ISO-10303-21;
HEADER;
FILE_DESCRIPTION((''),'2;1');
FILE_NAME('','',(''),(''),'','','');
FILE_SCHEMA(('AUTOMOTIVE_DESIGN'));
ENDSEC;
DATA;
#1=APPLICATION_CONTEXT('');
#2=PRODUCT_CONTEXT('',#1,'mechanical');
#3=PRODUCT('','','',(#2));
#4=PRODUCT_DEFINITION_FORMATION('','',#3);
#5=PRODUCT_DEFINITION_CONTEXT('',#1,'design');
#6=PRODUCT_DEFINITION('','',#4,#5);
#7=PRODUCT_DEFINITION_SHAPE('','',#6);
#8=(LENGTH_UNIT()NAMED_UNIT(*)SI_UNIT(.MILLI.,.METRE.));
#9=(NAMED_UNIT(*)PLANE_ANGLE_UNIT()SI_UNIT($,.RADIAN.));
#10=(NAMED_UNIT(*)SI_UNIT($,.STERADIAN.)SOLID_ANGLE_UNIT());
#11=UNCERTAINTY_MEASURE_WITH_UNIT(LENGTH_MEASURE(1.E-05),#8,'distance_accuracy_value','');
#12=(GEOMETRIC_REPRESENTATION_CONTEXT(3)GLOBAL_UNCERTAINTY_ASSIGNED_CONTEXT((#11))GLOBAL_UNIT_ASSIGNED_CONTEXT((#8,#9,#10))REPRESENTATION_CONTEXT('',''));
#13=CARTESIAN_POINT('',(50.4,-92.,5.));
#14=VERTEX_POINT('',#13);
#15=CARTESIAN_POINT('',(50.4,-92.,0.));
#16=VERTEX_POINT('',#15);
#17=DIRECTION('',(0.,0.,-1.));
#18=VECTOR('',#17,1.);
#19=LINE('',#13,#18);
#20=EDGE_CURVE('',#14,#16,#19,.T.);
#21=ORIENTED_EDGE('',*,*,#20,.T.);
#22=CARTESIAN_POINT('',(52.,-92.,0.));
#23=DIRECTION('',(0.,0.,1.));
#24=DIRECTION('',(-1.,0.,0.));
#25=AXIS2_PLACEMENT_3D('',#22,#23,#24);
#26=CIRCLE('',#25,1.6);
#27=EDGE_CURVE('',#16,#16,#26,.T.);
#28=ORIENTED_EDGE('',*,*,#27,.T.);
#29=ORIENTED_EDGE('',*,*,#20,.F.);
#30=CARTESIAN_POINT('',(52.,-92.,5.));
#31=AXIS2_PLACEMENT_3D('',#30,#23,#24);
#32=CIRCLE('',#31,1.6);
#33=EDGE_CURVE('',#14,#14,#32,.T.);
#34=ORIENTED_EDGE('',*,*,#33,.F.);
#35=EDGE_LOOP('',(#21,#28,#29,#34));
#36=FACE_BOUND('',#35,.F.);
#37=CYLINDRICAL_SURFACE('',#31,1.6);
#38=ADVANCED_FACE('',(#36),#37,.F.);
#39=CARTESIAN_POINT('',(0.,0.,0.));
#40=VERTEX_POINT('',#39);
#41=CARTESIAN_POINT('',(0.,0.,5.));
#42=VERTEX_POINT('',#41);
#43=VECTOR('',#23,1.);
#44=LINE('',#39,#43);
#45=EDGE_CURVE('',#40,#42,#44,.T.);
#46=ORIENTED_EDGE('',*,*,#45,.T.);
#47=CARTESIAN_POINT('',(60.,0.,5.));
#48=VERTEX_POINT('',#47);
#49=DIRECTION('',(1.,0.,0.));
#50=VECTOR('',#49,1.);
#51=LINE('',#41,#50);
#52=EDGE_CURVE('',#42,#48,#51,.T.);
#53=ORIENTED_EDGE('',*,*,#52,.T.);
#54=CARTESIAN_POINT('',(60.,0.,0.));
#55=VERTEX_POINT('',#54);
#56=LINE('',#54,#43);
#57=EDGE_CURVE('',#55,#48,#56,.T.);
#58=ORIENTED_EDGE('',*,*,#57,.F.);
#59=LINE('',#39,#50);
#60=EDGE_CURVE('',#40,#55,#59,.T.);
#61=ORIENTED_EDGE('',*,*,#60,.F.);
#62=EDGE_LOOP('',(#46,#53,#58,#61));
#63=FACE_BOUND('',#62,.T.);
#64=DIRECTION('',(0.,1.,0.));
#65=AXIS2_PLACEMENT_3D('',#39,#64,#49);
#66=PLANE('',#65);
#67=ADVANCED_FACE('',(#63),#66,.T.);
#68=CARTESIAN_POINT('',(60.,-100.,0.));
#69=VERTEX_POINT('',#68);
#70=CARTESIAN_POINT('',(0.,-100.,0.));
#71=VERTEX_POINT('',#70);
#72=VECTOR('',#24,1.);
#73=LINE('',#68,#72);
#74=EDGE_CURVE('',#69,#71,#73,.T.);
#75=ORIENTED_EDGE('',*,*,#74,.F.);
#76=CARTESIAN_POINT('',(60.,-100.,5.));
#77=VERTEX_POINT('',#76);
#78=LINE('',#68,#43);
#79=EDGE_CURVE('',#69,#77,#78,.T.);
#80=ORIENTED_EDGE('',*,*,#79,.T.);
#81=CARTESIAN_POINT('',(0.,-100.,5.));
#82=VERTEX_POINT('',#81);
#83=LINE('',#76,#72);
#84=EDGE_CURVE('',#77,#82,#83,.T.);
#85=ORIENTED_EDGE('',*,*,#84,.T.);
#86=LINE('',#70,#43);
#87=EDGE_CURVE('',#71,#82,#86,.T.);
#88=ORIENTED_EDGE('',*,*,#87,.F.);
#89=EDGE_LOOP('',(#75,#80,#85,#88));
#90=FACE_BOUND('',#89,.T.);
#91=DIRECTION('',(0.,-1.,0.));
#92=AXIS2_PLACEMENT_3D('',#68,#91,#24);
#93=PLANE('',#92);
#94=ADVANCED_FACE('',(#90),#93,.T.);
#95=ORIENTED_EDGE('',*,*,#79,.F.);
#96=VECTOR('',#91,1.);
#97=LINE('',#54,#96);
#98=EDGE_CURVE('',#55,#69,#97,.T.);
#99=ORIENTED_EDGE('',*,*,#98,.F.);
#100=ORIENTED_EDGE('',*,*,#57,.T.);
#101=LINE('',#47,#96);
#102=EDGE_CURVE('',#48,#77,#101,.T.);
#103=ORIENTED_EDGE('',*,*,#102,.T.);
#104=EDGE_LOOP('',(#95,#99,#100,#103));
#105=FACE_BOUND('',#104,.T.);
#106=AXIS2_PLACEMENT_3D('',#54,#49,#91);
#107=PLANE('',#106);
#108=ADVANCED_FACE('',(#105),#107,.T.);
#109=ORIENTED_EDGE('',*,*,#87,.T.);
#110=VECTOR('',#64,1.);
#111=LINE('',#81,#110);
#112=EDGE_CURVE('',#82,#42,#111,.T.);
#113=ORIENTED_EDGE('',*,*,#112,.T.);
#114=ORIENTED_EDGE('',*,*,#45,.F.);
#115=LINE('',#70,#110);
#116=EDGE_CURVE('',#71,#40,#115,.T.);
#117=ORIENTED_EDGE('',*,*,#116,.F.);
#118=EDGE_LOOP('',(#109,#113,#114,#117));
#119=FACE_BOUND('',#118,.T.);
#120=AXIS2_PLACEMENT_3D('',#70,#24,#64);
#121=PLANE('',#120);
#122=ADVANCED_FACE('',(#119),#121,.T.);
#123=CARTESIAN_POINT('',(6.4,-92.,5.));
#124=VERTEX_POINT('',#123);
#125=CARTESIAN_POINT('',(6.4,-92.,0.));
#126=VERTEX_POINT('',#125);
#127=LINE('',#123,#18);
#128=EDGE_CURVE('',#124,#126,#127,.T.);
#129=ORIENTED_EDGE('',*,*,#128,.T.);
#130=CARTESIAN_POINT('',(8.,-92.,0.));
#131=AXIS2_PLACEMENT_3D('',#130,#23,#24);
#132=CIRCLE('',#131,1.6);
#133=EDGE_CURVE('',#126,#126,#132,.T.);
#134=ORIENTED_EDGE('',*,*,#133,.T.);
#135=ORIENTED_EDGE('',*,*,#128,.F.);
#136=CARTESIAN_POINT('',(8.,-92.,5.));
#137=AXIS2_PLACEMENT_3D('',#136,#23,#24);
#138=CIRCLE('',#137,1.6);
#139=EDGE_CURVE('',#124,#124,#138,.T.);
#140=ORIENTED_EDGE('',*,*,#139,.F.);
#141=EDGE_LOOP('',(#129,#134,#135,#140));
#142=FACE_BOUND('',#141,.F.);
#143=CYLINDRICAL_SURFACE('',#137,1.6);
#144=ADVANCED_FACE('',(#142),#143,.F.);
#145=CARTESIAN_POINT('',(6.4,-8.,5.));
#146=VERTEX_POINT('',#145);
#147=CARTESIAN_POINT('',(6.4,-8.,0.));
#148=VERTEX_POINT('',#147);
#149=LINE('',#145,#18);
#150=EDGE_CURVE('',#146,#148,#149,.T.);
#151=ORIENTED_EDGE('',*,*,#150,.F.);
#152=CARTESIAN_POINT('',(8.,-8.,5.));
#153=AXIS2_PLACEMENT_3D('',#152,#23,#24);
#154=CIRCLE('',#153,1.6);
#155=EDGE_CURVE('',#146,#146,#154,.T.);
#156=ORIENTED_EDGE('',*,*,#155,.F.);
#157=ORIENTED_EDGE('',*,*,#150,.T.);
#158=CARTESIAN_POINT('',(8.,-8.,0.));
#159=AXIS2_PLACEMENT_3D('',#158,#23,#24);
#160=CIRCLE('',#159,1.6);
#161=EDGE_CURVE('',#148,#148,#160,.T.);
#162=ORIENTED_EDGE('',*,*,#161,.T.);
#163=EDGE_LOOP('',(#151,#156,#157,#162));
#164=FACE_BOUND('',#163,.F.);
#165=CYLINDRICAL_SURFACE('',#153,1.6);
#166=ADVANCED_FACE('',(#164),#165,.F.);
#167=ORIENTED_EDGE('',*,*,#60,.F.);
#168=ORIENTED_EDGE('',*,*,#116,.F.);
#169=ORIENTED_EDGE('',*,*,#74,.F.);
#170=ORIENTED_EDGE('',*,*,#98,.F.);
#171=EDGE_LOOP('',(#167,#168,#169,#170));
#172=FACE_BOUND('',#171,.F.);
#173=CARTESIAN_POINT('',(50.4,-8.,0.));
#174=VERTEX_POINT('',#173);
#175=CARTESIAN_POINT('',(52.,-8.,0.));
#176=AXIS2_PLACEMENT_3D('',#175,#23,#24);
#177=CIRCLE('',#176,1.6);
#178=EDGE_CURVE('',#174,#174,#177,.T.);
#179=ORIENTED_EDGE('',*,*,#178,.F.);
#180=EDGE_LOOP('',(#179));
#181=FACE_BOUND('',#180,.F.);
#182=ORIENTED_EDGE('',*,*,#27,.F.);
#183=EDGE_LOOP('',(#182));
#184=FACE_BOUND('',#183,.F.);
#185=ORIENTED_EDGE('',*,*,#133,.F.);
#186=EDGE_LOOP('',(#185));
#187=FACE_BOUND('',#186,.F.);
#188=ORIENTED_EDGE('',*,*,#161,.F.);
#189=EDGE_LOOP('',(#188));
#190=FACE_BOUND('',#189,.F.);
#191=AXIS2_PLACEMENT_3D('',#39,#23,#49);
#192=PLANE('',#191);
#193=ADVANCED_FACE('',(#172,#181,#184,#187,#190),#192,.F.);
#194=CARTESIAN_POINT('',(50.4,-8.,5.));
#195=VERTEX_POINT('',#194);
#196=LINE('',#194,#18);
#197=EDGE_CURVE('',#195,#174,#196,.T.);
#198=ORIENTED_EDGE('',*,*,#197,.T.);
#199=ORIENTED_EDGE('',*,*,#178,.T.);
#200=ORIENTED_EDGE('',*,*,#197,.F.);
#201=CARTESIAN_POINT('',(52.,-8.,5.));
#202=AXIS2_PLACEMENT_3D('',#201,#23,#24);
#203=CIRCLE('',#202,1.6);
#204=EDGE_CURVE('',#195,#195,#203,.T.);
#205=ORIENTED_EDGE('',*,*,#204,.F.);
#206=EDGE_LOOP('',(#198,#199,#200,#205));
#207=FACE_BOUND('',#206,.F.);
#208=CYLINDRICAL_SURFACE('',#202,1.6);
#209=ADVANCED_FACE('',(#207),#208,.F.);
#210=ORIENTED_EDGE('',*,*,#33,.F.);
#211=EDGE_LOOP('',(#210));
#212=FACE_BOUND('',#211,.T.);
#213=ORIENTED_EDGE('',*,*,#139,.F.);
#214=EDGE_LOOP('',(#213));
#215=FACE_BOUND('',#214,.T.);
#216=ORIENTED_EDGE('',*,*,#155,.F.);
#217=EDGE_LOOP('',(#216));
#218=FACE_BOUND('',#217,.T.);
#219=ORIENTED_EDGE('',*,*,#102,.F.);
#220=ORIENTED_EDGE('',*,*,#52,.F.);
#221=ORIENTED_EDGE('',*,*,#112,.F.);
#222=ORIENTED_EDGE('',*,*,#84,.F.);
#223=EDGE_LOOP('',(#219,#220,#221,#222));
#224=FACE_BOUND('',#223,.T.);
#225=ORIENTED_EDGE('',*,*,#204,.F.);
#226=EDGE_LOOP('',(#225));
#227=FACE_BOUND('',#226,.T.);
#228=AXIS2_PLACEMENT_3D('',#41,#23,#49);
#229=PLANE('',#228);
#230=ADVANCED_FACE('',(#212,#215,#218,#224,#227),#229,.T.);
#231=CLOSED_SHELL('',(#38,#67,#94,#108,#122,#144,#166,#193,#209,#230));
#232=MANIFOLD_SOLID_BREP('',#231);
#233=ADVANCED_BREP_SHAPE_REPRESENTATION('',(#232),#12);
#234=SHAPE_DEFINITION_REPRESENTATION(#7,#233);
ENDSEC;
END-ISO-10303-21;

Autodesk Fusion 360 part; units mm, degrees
sketch "草图1" plane through (0, 0, 0) normal (0, 0, 1) x (1, 0, 0)
  line L0 (0, 0) -> (60, 0)
  line L1 (60, 0) -> (60, -100)
  line L2 (60, -100) -> (0, -100)
  line L3 (0, -100) -> (0, 0)
  dimension "d1" = 60
  dimension "d2" = 100
extrude "拉伸1" add sketch "草图1" along normal blind 5
sketch "草图2" plane through (0, 0, 5) normal (0, 0, 1) x (-1, 0, 0)
  line L0 (0, 100) -> (-60, 100)
  line L1 (-60, 100) -> (-60, 0)
  line L2 (-60, 0) -> (0, 0)
  line L3 (0, 0) -> (0, 100)
  circle A0 centre (-8, 8) radius 1.6
  circle A1 centre (-52, 8) radius 1.6
  circle A2 centre (-8, 92) radius 1.6
  circle A3 centre (-52, 92) radius 1.6
  dimension "d5" = 3.2
  dimension "d6" = 8
  dimension "d7" = 8
  dimension "d14" = -44
  dimension "d15" = 84
extrude "拉伸2" cut sketch "草图2" against normal blind 5 contours A0 | A1 | A2 | A3
